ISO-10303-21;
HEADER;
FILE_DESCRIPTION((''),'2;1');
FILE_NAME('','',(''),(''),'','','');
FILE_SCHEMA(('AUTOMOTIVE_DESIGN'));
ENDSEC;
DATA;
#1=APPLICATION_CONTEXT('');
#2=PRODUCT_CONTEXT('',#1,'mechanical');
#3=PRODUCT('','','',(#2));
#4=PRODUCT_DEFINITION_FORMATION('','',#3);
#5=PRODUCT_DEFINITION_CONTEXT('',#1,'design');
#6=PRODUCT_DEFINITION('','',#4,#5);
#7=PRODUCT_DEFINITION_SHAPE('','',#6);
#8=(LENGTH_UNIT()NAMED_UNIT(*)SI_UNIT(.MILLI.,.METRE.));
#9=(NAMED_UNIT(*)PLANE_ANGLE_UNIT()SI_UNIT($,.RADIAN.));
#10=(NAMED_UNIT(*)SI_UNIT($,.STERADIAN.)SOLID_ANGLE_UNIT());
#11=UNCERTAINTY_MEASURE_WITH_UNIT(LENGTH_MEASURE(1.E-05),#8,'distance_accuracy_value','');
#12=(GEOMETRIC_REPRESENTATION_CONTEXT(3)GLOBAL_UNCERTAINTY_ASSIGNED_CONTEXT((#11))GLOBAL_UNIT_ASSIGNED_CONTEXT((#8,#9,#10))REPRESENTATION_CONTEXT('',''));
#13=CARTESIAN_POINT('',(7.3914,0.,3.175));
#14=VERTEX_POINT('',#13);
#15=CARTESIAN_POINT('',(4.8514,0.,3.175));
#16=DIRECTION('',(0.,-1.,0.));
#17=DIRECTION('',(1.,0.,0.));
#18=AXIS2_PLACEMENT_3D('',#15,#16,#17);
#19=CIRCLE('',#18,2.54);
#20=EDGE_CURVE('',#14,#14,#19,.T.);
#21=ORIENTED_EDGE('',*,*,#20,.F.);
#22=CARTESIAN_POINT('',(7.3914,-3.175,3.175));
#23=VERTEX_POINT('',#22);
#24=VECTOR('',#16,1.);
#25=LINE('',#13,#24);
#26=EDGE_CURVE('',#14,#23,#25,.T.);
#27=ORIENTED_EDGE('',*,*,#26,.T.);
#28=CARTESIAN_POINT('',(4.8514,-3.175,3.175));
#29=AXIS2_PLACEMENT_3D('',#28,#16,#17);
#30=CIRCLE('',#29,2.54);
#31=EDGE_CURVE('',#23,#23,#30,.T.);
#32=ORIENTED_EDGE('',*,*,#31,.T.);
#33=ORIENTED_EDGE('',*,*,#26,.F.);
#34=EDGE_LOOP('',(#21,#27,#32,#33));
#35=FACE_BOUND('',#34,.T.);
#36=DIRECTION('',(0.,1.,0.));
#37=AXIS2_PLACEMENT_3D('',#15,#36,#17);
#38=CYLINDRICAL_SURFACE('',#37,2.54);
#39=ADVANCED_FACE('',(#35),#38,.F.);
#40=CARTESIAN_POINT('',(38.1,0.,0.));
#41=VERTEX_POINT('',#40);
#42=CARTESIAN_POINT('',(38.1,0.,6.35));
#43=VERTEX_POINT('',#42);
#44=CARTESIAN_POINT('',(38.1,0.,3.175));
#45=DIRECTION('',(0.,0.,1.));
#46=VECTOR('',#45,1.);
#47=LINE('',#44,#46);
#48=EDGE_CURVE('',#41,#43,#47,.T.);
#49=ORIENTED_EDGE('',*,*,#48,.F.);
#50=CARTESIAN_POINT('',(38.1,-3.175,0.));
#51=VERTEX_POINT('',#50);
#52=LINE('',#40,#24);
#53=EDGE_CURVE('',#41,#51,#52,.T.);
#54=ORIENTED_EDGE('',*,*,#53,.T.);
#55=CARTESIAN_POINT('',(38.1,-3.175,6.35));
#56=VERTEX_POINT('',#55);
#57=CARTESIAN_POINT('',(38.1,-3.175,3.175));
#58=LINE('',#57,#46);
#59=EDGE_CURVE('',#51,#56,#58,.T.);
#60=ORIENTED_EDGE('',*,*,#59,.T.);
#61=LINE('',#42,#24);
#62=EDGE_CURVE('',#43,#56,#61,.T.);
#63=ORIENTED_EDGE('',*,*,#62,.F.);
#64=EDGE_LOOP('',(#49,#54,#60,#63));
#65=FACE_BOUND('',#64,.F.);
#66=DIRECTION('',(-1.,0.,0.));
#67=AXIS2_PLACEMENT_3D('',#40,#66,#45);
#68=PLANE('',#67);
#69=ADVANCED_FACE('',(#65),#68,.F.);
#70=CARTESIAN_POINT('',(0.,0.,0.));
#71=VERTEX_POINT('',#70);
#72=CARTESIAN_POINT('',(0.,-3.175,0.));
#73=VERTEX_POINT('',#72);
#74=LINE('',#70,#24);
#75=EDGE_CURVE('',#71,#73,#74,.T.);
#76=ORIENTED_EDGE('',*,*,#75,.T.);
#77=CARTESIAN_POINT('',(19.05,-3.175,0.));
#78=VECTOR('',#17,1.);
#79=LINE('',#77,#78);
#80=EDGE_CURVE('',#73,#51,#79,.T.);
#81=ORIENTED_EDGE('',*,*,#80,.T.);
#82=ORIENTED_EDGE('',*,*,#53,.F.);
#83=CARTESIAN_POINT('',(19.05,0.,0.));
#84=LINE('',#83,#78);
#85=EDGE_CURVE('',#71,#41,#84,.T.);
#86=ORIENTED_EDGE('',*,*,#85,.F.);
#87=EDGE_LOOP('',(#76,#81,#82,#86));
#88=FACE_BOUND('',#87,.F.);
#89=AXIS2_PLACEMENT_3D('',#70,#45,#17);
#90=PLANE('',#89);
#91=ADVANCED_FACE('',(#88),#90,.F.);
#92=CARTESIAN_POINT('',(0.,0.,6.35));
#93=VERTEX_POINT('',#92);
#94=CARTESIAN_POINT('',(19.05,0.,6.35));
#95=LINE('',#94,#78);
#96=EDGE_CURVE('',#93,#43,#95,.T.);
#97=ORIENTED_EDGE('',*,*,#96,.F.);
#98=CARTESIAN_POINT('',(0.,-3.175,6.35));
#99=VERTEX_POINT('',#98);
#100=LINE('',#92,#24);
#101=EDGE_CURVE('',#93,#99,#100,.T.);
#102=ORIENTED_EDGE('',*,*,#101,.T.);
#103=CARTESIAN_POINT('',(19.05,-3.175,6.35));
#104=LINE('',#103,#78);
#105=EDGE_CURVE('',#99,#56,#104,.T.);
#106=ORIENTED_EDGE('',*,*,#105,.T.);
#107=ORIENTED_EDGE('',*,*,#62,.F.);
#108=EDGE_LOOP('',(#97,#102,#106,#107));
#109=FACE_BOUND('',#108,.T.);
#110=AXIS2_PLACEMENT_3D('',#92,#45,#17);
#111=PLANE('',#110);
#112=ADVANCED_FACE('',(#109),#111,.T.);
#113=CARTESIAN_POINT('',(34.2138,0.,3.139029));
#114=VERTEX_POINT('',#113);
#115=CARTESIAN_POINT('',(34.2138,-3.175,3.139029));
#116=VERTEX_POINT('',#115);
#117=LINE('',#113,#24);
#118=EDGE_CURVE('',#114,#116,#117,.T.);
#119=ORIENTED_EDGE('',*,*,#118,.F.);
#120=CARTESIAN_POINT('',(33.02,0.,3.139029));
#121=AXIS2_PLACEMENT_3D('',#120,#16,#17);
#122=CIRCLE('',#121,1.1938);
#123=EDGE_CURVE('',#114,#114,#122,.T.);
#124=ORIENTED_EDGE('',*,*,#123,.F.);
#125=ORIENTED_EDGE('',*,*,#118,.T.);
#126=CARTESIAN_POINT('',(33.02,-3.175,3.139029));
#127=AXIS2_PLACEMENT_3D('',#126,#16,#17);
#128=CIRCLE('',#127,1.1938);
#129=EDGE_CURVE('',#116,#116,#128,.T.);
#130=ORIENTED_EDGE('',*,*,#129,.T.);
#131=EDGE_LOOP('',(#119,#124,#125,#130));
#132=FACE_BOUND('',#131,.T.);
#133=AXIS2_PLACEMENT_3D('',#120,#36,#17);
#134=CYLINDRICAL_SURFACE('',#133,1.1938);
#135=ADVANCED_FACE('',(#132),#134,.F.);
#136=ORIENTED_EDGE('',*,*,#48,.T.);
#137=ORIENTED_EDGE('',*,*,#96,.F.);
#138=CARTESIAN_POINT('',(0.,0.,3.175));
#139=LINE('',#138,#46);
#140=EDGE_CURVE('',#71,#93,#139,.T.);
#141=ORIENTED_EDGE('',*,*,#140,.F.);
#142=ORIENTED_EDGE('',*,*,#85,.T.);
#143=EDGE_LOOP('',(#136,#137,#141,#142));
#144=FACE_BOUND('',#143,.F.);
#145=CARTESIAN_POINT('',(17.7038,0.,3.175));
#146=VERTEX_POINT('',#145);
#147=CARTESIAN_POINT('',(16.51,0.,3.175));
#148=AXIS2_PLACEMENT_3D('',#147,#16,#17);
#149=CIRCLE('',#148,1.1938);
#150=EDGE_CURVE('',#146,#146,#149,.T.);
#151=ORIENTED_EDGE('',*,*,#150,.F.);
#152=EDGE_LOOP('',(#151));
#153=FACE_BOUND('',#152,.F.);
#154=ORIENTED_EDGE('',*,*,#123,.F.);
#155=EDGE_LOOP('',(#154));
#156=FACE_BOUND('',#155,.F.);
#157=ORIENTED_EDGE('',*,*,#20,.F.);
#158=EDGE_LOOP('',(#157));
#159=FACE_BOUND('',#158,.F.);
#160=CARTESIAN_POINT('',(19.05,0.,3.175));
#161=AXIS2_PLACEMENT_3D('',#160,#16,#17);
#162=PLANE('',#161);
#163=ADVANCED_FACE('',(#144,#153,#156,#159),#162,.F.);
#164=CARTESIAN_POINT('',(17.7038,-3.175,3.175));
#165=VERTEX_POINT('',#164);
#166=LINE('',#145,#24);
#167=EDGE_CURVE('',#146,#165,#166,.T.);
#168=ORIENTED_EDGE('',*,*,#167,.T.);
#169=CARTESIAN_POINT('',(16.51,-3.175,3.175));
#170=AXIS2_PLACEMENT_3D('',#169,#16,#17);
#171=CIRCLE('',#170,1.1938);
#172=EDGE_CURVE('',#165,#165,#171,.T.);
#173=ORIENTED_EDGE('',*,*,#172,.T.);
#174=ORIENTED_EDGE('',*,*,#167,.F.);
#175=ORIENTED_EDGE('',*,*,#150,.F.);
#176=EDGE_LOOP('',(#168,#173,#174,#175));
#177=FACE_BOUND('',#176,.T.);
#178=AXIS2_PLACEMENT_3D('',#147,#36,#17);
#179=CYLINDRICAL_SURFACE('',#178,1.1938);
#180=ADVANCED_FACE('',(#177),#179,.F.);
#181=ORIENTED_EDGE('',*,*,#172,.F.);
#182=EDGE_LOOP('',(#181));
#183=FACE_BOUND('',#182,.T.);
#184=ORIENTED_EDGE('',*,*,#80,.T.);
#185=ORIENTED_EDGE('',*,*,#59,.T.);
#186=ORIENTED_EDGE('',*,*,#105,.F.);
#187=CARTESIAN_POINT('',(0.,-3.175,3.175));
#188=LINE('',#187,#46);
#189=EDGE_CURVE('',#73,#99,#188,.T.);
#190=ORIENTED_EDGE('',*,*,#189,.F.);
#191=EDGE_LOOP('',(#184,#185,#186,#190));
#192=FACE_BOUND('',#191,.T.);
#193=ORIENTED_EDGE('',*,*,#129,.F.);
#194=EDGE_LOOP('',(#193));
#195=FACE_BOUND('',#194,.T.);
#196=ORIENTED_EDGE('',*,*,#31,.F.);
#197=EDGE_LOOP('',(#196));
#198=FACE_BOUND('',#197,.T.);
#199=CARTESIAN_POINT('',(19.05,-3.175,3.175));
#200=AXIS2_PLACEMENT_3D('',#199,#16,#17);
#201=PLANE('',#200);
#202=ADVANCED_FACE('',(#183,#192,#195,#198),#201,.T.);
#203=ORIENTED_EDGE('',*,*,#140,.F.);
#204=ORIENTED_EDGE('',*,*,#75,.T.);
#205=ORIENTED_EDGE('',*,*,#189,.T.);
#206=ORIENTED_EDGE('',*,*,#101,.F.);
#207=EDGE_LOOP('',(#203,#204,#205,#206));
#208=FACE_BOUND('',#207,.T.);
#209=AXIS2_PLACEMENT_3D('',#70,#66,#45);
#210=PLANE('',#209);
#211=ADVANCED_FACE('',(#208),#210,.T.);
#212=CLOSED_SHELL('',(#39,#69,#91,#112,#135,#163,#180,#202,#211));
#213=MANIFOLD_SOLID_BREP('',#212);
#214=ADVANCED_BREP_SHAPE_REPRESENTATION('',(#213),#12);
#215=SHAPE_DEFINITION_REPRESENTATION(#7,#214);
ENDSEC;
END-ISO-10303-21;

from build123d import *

# Parameters (mm, degrees)
F0_W     = 38.1
F0_H     = 6.35
F0_R     = 2.54
F0_R_2   = 1.1938
F1_DEPTH = 3.175


with BuildPart() as f1:
    # F0 (on Front) → F1 (new body)
    with BuildSketch(Plane.XZ):
        with Locations((19.05, 3.175)):
            Rectangle(F0_W, F0_H)
        with Locations((4.8514, 3.175)):
            Circle(F0_R, mode=Mode.SUBTRACT)
        with Locations((16.51, 3.175)):
            Circle(F0_R_2, mode=Mode.SUBTRACT)
        with Locations((33.02, 3.139029257)):
            Circle(F0_R_2, mode=Mode.SUBTRACT)
    extrude(amount=F1_DEPTH)


solid = f1.part
